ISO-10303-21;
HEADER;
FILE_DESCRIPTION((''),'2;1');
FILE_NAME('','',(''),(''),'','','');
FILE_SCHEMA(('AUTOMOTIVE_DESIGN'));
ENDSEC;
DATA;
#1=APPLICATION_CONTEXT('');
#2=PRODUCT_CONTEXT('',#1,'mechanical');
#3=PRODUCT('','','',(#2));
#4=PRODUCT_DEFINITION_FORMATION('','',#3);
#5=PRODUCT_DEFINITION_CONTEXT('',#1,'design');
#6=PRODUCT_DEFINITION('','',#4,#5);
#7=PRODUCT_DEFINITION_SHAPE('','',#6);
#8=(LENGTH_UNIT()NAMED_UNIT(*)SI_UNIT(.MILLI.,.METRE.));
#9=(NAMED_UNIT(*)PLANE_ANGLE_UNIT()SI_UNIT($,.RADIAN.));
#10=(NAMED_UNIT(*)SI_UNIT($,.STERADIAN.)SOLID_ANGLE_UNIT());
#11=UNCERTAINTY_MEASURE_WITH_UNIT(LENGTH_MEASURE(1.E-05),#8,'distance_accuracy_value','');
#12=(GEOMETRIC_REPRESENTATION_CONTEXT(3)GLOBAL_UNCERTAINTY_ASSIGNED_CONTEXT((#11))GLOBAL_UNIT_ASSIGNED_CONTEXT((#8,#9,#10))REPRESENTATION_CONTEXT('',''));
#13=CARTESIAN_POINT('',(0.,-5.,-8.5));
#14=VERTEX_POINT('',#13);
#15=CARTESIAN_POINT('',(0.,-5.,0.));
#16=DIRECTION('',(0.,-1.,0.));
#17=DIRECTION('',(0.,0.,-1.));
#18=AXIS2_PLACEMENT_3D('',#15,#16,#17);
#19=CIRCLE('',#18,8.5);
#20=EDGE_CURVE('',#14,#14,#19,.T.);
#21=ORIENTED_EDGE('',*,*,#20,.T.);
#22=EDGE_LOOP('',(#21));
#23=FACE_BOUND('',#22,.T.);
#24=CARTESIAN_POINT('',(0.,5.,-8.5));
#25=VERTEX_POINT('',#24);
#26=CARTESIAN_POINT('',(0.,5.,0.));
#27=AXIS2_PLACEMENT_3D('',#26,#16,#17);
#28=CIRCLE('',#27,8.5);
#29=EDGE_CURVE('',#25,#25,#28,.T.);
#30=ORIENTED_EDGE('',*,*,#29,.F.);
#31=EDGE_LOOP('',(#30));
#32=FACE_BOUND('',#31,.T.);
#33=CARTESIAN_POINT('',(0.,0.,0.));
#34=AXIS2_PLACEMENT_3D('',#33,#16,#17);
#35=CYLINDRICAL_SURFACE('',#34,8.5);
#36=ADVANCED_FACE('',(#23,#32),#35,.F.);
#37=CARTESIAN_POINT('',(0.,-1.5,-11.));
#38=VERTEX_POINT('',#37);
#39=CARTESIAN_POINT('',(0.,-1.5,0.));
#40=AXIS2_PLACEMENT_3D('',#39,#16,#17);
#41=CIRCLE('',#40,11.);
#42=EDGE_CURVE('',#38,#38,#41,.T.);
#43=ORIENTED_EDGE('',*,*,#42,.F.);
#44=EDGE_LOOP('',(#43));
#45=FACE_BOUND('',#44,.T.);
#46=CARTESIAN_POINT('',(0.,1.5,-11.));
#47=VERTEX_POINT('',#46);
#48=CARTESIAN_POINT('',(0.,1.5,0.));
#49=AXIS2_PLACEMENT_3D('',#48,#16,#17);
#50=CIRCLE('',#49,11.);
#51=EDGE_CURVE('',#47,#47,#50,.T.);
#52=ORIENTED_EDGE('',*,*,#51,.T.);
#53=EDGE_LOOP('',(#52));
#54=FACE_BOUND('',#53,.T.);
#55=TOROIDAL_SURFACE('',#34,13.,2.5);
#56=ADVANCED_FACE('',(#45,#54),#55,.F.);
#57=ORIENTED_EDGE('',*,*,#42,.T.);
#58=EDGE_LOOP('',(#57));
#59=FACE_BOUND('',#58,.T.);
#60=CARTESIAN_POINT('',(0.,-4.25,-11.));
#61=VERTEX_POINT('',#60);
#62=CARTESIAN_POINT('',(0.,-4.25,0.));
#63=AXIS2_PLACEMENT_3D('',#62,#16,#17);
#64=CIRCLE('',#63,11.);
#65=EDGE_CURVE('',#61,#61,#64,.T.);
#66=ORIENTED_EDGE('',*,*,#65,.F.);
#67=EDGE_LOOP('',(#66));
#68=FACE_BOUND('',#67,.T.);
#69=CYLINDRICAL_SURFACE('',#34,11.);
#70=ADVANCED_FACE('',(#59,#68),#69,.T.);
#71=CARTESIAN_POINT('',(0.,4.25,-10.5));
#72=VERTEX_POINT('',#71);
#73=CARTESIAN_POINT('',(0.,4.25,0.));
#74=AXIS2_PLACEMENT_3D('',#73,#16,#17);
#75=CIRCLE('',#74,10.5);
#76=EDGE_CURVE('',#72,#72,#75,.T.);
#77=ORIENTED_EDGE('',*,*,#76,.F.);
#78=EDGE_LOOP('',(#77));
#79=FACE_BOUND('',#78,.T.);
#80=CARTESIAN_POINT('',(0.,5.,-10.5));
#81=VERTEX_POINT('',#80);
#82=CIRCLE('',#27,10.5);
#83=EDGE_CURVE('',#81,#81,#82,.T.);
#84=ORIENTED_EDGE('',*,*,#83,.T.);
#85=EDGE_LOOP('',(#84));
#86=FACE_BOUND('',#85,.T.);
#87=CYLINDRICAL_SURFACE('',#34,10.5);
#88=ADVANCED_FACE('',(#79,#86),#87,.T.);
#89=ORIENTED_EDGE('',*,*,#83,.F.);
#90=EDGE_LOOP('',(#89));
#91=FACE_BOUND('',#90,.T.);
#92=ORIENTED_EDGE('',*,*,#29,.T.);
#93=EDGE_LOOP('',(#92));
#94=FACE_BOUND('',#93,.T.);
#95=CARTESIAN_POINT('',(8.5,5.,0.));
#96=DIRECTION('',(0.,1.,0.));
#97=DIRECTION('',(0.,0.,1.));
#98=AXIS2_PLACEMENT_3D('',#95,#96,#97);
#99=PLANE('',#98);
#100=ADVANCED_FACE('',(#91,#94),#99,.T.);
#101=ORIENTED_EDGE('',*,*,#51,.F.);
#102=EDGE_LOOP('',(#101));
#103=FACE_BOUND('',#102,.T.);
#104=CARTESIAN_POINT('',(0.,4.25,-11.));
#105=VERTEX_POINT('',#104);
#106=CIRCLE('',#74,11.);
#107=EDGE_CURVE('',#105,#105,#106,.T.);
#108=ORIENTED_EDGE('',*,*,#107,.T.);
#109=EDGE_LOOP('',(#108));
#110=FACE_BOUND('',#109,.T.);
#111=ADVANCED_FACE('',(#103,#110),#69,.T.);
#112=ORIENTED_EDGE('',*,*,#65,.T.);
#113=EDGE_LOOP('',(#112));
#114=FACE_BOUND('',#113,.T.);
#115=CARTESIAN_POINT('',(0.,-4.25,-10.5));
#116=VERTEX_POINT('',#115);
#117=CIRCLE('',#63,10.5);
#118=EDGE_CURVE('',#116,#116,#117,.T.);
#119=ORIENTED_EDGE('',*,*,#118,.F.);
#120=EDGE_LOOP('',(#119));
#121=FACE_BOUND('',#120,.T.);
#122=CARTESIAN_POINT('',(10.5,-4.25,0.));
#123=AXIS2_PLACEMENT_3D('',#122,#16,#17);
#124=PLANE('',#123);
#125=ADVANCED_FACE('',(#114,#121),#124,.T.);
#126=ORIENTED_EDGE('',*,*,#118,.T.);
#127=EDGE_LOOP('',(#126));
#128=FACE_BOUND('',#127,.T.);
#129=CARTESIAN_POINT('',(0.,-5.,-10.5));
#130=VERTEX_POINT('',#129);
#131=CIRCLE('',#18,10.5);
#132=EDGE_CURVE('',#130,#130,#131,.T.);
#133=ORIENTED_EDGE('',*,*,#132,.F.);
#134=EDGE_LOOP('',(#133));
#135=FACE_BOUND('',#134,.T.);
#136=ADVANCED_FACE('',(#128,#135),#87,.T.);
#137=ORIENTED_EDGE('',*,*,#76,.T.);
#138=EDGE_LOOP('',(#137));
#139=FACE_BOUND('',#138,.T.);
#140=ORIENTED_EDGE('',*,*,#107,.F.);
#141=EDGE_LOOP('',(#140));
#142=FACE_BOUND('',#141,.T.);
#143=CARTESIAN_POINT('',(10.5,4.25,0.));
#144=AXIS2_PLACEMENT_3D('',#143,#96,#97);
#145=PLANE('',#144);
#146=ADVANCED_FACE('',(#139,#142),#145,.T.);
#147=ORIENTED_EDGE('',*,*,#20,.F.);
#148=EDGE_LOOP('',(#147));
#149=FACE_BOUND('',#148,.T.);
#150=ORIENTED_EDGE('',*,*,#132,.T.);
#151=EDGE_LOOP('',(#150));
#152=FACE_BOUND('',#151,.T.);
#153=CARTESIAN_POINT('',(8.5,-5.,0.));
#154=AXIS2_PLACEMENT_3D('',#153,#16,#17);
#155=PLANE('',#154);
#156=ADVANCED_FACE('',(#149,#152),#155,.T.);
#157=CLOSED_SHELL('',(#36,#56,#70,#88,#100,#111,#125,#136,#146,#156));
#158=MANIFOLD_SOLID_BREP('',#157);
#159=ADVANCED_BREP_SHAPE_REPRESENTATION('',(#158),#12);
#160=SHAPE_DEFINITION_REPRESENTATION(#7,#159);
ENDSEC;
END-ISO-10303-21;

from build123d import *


with BuildPart() as part:
    # Sketch1 → Revolve2 (revolve)
    with BuildSketch(Plane.XY, mode=Mode.PRIVATE) as revolve2_sk:
        with BuildLine():
            Line((11, 4.25), (11, 1.5))
            ThreePointArc((11, 1.5), (10.5, 0), (11, -1.5))
            Line((11, -1.5), (11, -4.25))
            Line((11, -4.25), (10.5, -4.25))
            Line((10.5, -4.25), (10.5, -5))
            Line((10.5, -5), (8.5, -5))
            Line((8.5, -5), (8.5, 5))
            Line((8.5, 5), (10.5, 5))
            Line((10.5, 5), (10.5, 4.25))
            Line((10.5, 4.25), (11, 4.25))
        make_face()
    revolve(revolve2_sk.sketch.rotate(Axis((0, 0, 0), (0, 1, 0)), 90), axis=Axis((0, 0, 0), (0, 1, 0)))


solid = part.part
